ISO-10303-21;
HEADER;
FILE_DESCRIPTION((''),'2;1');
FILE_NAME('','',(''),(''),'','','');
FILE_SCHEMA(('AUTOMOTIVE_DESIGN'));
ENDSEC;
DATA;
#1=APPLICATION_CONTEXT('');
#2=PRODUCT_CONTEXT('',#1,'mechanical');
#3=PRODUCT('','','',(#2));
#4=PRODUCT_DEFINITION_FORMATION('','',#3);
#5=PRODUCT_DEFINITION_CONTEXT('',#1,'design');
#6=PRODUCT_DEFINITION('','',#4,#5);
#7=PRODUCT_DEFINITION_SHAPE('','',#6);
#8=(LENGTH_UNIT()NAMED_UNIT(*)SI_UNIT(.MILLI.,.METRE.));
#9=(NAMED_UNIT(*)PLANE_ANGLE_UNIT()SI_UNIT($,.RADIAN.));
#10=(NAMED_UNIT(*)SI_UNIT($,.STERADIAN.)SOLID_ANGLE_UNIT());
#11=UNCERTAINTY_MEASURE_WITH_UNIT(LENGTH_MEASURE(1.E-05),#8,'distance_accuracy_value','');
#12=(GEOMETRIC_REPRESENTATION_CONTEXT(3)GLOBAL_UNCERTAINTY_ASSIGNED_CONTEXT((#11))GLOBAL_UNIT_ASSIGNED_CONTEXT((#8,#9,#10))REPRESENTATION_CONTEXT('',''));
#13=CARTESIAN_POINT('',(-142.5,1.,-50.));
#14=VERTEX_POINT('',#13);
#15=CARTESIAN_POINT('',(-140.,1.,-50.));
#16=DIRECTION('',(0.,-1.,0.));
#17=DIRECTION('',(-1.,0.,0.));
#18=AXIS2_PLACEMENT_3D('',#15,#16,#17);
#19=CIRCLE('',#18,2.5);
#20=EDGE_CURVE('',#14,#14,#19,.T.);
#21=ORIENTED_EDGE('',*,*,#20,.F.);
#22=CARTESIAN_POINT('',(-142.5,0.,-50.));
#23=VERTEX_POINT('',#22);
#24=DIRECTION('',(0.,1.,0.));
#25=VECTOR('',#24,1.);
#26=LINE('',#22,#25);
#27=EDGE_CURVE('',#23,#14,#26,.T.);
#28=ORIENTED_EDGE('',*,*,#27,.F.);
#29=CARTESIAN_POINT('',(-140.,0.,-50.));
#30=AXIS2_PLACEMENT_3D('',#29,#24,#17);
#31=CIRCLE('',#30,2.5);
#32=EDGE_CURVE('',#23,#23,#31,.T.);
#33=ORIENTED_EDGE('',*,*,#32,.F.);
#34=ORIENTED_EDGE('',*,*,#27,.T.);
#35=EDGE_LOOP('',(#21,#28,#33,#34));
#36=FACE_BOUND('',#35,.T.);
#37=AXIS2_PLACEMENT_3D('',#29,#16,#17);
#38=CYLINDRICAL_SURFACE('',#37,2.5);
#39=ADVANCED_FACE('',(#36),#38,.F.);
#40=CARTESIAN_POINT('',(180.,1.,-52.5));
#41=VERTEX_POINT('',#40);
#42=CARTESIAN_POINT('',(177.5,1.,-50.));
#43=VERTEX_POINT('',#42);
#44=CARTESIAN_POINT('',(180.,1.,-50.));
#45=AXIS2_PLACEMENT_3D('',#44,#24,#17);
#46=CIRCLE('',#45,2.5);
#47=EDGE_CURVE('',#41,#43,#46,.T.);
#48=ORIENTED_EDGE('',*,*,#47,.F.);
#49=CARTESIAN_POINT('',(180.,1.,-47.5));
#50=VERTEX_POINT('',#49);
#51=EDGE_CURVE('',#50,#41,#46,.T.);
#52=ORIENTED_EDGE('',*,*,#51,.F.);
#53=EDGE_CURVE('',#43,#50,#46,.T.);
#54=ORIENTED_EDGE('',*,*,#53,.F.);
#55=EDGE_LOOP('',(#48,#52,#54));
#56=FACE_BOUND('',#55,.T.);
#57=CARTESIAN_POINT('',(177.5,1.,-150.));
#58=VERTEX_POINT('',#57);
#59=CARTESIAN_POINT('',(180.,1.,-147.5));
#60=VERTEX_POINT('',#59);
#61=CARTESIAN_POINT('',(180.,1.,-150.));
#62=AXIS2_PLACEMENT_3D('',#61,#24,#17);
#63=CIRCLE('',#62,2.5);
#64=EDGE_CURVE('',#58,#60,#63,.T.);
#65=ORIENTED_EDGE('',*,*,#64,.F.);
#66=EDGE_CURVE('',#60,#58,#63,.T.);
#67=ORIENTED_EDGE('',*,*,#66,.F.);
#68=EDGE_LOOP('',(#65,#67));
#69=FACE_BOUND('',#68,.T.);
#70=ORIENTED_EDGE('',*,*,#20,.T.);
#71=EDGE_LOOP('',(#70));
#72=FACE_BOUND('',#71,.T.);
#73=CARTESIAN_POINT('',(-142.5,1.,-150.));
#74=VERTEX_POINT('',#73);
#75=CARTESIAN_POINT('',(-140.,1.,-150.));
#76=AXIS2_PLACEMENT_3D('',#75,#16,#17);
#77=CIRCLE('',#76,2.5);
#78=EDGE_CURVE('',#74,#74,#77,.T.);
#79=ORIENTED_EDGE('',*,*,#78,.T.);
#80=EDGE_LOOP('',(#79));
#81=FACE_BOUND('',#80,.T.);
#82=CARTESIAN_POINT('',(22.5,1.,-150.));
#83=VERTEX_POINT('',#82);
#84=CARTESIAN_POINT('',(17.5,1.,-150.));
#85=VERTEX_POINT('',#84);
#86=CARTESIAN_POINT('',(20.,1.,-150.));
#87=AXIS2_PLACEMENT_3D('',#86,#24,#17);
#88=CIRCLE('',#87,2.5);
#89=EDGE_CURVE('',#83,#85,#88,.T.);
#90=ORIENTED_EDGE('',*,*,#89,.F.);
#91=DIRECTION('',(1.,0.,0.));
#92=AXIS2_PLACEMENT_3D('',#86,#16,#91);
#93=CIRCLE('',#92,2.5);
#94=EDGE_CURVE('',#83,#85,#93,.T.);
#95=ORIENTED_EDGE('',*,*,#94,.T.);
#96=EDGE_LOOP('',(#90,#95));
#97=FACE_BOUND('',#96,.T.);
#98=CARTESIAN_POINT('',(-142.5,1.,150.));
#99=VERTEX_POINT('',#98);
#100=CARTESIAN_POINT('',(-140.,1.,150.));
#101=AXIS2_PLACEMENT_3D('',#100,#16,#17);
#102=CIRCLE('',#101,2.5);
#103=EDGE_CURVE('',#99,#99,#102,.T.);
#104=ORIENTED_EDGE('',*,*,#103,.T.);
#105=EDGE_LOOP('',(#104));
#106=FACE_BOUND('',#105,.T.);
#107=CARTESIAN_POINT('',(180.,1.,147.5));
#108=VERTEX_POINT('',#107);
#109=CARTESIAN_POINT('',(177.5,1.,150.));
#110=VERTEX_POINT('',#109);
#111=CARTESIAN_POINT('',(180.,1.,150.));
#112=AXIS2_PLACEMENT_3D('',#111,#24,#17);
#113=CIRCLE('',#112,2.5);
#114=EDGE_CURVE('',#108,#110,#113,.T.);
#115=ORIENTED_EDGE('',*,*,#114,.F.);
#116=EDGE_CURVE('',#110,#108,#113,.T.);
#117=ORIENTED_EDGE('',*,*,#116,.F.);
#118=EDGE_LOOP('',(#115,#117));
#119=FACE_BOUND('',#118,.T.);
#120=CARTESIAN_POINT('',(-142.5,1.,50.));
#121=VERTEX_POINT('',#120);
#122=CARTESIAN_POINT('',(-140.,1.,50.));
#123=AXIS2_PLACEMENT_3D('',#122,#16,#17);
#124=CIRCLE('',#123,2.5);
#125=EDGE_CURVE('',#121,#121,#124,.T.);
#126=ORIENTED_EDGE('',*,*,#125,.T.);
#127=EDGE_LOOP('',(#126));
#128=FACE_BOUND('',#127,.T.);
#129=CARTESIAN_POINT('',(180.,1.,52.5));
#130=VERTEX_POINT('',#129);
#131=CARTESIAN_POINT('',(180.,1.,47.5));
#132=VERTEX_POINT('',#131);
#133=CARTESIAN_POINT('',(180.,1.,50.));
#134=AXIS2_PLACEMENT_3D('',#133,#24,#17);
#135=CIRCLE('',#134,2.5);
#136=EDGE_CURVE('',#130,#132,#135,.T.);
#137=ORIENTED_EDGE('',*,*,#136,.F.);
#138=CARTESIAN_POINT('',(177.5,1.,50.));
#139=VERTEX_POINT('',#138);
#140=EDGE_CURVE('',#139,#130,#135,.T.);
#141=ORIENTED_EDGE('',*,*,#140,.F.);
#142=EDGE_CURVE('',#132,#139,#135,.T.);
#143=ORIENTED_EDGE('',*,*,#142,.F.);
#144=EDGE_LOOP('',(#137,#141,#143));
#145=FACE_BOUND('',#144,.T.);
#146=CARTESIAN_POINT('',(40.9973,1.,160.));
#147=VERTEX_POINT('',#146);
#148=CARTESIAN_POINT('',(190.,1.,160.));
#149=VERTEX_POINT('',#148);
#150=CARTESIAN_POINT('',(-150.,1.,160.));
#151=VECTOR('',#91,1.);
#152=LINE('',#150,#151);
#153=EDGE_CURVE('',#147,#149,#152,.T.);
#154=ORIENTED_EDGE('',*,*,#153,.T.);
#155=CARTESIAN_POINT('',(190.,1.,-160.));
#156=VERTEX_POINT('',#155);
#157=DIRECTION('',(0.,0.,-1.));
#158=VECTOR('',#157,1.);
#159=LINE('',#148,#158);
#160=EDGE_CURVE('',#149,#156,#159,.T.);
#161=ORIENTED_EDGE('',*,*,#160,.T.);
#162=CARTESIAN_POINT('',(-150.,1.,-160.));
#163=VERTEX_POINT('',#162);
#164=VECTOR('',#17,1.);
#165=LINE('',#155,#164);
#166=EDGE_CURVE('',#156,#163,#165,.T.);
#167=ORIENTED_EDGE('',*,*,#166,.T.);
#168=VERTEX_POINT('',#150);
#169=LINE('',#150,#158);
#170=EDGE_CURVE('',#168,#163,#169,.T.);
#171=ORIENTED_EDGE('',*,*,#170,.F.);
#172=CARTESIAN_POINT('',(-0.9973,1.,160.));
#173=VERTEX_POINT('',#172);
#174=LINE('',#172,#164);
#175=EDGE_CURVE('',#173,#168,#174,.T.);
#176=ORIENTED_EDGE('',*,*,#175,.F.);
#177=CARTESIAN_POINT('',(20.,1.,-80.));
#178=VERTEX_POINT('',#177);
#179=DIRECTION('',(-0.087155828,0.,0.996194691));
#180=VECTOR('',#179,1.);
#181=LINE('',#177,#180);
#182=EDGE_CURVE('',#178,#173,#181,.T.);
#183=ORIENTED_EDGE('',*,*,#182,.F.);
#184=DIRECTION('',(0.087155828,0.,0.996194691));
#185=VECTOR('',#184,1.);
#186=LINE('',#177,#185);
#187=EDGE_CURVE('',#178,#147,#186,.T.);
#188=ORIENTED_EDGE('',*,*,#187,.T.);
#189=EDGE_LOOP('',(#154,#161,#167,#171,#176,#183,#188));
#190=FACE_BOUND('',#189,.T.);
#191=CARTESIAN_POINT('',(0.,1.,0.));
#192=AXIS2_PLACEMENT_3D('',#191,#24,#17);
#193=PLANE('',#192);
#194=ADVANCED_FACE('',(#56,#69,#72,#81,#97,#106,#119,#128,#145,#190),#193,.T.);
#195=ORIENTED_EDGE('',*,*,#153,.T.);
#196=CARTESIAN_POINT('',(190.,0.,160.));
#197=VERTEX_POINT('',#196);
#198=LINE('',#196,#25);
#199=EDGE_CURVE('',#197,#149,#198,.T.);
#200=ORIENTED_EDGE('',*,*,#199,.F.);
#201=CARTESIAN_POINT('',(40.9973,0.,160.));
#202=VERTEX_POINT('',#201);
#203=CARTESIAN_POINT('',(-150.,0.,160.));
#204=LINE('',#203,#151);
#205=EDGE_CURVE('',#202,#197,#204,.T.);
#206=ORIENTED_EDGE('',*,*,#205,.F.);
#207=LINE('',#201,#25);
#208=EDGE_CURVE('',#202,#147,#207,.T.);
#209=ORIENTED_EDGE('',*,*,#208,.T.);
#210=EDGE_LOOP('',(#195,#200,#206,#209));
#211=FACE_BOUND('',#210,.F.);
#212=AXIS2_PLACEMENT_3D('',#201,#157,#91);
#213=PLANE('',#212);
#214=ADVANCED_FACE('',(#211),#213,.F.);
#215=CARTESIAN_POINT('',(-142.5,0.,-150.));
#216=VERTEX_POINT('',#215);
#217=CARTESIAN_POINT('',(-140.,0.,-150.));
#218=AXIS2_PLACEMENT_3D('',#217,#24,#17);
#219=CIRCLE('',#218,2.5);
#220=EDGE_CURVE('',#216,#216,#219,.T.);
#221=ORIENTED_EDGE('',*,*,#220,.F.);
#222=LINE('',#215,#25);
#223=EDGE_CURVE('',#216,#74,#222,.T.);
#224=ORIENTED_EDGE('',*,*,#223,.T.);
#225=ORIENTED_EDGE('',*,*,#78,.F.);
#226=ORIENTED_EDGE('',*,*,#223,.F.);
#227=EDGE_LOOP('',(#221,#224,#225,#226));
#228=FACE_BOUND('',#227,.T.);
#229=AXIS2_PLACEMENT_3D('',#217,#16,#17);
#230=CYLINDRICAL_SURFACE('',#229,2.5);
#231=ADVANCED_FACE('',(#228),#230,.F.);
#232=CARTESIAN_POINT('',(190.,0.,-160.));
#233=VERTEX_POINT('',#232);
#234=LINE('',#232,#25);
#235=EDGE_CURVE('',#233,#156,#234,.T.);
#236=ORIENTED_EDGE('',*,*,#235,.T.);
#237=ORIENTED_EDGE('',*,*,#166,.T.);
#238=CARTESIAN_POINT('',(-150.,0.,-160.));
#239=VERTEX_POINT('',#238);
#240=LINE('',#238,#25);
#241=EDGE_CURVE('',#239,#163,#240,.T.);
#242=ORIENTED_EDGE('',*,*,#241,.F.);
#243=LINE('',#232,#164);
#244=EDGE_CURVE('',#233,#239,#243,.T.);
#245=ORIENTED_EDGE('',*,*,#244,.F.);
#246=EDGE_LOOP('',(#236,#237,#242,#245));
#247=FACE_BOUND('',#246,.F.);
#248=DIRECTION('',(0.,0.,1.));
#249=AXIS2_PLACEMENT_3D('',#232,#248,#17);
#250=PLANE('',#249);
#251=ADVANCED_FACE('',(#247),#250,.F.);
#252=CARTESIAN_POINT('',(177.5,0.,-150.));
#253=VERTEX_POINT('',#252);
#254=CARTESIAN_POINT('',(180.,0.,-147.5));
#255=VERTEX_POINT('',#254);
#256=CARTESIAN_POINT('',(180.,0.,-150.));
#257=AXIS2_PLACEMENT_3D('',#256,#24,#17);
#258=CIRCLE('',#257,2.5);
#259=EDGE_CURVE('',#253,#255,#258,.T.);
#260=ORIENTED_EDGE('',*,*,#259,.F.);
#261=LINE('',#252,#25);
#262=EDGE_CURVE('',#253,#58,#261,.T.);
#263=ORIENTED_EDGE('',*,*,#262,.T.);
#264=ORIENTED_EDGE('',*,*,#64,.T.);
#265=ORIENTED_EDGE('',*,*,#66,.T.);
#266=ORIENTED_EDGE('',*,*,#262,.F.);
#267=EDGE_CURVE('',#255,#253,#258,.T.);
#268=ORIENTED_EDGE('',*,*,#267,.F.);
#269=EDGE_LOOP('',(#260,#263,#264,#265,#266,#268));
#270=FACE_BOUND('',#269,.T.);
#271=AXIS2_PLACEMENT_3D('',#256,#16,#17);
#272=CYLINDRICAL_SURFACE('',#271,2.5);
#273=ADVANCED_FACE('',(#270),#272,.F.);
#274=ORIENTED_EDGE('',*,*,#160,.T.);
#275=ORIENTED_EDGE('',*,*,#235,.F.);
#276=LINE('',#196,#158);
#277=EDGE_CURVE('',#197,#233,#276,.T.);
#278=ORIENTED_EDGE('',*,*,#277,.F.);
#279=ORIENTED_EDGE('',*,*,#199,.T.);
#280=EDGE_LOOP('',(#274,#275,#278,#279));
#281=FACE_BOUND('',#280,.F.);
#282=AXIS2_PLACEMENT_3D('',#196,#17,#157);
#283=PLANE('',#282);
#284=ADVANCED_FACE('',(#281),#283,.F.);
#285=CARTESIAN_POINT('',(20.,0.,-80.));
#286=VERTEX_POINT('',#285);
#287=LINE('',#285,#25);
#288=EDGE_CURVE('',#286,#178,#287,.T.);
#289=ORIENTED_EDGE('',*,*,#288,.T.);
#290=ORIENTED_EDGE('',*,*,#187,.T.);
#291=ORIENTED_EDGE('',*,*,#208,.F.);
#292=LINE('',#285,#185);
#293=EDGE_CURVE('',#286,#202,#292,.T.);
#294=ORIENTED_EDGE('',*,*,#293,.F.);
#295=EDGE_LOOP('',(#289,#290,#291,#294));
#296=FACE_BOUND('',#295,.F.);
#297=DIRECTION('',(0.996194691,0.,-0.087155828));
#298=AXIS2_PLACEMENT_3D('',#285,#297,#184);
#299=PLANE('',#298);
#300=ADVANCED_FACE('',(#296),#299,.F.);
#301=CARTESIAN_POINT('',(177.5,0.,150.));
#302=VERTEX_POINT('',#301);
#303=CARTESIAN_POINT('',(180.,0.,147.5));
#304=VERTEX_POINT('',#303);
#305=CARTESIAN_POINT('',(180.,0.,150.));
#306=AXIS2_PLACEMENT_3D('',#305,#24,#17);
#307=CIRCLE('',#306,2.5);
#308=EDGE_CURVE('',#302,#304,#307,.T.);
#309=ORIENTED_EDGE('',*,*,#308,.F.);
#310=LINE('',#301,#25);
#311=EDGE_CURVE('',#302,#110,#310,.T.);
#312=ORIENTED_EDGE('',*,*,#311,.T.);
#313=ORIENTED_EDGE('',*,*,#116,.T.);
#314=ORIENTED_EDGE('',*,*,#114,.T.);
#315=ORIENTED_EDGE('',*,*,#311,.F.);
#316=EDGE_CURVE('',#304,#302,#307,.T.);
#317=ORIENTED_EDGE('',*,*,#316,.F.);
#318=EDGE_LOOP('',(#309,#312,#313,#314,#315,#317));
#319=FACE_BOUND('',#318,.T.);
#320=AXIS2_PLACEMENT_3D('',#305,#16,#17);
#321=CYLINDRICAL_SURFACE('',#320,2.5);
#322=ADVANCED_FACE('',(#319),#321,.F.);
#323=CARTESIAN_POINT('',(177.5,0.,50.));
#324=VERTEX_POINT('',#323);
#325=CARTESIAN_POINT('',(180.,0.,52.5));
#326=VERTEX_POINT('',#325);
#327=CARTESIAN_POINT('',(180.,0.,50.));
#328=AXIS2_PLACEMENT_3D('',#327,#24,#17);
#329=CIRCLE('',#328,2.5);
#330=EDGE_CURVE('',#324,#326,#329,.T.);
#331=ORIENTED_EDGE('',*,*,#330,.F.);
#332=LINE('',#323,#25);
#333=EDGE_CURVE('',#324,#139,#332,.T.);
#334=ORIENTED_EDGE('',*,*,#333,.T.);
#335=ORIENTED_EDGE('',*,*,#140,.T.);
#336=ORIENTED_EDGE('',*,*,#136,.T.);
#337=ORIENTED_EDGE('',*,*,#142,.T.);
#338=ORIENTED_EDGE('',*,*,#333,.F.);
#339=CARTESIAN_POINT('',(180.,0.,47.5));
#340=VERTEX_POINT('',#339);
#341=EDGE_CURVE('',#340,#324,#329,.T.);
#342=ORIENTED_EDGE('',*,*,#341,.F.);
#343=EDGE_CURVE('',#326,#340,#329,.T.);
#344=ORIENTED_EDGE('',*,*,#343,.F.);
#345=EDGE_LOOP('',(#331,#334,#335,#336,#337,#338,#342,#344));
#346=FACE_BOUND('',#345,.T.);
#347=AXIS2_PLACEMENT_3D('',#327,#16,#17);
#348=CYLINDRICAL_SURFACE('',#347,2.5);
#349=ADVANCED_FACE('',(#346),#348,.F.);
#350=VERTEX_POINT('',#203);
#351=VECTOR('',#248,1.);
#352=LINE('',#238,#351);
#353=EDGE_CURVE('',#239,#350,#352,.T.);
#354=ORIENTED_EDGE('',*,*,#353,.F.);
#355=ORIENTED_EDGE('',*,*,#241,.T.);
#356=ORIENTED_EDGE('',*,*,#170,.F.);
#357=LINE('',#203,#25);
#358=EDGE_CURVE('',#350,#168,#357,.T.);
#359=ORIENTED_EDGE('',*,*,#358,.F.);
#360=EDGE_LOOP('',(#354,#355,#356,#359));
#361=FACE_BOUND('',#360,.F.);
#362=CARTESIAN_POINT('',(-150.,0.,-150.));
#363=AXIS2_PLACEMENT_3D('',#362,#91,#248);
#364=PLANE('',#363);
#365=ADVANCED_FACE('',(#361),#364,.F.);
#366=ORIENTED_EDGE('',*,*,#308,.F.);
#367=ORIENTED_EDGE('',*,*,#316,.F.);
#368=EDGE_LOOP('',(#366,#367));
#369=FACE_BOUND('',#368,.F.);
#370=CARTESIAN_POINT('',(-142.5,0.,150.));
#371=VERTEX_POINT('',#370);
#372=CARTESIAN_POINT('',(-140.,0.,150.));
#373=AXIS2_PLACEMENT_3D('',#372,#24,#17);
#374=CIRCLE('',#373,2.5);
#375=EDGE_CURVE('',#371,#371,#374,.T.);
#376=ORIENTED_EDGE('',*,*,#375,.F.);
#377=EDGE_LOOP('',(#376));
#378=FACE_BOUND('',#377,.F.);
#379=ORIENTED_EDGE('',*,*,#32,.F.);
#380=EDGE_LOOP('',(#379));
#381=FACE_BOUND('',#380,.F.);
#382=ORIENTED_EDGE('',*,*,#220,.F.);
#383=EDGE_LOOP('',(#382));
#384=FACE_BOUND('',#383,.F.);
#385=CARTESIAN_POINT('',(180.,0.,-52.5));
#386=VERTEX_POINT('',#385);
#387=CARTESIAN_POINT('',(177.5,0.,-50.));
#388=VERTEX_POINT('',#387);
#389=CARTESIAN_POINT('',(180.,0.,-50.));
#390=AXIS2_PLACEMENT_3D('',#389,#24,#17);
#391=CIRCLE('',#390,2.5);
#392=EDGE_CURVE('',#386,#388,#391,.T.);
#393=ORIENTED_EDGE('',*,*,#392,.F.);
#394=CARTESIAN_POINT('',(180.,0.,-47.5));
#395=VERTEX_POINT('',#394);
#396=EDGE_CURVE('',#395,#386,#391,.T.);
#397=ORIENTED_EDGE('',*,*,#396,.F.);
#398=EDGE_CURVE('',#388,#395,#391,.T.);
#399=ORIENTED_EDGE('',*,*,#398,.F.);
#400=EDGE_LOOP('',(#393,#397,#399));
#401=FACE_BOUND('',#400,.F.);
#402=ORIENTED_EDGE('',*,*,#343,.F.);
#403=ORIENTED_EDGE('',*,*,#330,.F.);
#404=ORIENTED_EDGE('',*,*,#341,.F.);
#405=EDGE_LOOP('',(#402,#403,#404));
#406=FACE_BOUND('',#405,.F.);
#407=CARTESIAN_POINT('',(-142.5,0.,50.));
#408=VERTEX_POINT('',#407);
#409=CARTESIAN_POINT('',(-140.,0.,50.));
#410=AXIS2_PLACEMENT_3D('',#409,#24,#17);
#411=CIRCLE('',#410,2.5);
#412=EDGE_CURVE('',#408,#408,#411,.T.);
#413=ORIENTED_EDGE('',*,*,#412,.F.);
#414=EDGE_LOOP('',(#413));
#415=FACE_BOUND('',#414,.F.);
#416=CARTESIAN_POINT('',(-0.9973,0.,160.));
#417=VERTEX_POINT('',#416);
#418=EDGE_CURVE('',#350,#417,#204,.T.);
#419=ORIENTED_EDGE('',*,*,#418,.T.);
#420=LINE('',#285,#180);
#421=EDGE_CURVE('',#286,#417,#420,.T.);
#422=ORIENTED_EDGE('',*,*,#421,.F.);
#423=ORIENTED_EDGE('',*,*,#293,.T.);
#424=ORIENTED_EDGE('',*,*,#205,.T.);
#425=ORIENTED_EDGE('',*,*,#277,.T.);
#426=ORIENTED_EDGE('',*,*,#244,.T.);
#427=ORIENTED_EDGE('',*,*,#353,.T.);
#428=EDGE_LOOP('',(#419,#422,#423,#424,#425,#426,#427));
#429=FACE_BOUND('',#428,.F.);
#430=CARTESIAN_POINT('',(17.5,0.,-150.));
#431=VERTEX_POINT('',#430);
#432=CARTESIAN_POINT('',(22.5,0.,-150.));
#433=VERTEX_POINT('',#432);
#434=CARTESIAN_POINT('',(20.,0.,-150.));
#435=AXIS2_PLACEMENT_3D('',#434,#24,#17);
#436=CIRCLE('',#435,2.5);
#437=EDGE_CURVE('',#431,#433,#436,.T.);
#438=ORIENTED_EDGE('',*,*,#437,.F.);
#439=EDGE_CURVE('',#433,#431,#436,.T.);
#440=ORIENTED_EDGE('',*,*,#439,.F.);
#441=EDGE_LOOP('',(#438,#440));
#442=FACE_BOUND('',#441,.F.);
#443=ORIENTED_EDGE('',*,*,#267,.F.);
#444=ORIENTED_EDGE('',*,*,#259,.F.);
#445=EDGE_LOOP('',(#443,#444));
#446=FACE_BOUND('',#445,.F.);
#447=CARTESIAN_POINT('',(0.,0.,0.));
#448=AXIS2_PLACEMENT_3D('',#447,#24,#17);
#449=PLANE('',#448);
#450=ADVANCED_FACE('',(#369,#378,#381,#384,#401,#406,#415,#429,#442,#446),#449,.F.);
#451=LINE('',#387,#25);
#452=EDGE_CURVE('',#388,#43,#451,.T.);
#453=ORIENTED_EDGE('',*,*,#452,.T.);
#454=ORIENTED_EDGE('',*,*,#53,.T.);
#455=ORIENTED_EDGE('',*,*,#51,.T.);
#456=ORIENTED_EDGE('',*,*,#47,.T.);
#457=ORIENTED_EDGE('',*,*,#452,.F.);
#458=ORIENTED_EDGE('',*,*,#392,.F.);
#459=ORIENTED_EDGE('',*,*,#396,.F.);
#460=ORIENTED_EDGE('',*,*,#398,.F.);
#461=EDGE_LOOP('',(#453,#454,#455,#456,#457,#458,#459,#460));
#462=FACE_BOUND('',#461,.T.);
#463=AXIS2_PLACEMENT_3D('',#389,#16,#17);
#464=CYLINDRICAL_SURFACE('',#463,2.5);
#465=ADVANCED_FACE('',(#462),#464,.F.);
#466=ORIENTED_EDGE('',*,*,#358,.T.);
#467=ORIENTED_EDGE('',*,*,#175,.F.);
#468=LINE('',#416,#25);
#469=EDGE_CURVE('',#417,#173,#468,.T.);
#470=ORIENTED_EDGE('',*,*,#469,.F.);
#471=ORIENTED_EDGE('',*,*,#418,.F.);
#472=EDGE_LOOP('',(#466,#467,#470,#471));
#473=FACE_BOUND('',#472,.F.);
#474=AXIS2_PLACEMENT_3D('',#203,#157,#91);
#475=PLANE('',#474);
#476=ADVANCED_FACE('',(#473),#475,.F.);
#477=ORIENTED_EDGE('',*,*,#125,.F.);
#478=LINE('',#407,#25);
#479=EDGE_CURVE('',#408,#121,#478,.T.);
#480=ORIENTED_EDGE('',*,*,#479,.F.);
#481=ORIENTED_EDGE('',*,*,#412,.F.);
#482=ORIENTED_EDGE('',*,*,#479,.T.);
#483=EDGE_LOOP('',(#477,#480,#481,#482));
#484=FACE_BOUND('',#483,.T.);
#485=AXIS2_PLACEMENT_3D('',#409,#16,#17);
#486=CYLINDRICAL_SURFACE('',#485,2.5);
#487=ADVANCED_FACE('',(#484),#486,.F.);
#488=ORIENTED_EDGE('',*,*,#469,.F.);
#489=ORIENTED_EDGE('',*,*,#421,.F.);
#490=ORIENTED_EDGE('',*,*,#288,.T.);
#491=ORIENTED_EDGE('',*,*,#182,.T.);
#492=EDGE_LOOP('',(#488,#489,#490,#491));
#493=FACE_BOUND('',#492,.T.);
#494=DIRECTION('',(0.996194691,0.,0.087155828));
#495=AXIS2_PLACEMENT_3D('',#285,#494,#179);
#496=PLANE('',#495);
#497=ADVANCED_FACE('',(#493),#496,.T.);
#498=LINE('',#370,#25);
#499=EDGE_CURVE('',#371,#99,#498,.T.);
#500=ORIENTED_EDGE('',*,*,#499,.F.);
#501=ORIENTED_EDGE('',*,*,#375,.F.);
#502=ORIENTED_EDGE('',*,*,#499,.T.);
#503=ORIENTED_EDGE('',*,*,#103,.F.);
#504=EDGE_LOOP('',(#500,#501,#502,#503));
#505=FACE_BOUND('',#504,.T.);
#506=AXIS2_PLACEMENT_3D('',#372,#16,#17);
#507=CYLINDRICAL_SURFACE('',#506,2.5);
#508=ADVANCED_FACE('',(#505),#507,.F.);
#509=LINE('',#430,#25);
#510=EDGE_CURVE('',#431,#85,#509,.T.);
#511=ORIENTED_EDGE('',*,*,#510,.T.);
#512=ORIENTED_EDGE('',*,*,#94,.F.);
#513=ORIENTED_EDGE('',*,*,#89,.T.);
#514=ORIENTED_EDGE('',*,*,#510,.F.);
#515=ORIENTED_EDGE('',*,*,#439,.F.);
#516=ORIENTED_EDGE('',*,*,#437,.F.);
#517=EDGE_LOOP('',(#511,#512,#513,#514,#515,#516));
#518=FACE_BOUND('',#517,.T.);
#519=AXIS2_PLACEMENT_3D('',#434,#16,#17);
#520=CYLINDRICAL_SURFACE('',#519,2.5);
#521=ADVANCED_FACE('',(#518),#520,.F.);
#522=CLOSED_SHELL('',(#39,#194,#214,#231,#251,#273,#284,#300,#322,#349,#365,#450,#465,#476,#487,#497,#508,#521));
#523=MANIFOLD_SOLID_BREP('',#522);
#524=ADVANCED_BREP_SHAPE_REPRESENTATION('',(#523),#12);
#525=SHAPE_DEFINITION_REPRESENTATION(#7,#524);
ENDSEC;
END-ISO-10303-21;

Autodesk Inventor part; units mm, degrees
ref_plane "YZ Plane" through (0, 0, 0) normal (1, 0, 0) x (0, 1, 0)
ref_plane "XZ Plane" through (0, 0, 0) normal (0, 1, 0) x (-1, 0, 0)
ref_plane "XY Plane" through (0, 0, 0) normal (0, 0, 1) x (1, 0, 0)
sketch "Sketch1" plane through (0, 0, 0) normal (0, 1, 0) x (-1, 0, 0)
  line L0 (150, 160) -> (-190, 160)
  line L1 (-190, 160) -> (-190, -160)
  line L2 (-190, -160) -> (150, -160)
  line L3 (150, -160) -> (150, 160)
  line L4 (-20, -80) -> (0.9973, 160)
  line L5 (-20, -80) -> (220.9168, -80) construction
  line L6 (-20, -80) -> (-40.9973, 160)
  line L7 (140, -150) -> (-180, -150)
  line L8 (-180, -150) -> (-180, 150)
  line L9 (140, 150) -> (140, -150)
  circle A0 centre (140, 150) radius 2.5
  circle A1 centre (-180, 150) radius 2.5
  line L10 (140, 160) -> (140, 50)
  line L11 (140, 50) -> (140, -50)
  circle A2 centre (140, 50) radius 2.5
  circle A3 centre (140, -50) radius 2.5
  circle A4 centre (140, -150) radius 2.5
  circle A5 centre (-180, 50) radius 2.5
  circle A6 centre (-180, -50) radius 2.5
  circle A7 centre (-180, -150) radius 2.5
  circle A8 centre (-20, -150) radius 2.5
  line L12 (150, -150) -> (140, -150)
  line L13 (-20, -150) -> (-20, -80)
  point P0 (0, 0)
  point P1 (-40.9973, 160)
  dimension "d0" = 340
  dimension "d1" = 320
  dimension "d2" = 85
  dimension "d3" = 10
  dimension "d4" = 5
  dimension "d5" = 5
  dimension "d6" = 110
  dimension "d7" = 100
  dimension "d8" = 5
  dimension "d9" = 5
  dimension "d10" = 5
  dimension "d11" = 5
  dimension "d14" = 10
extrude "Extrusion1" add sketch "Sketch1" along normal blind 1 contours L3 L12 A4 L9 A3 A2 A0 L10 L0 | L10 A0 L9 A2 A3 A4 L7 A8 L13 L4 L0 | L3 L2 L1 L0 L6 L13 A8 L7 A4 L12
properties part number "PuertaCuero"
